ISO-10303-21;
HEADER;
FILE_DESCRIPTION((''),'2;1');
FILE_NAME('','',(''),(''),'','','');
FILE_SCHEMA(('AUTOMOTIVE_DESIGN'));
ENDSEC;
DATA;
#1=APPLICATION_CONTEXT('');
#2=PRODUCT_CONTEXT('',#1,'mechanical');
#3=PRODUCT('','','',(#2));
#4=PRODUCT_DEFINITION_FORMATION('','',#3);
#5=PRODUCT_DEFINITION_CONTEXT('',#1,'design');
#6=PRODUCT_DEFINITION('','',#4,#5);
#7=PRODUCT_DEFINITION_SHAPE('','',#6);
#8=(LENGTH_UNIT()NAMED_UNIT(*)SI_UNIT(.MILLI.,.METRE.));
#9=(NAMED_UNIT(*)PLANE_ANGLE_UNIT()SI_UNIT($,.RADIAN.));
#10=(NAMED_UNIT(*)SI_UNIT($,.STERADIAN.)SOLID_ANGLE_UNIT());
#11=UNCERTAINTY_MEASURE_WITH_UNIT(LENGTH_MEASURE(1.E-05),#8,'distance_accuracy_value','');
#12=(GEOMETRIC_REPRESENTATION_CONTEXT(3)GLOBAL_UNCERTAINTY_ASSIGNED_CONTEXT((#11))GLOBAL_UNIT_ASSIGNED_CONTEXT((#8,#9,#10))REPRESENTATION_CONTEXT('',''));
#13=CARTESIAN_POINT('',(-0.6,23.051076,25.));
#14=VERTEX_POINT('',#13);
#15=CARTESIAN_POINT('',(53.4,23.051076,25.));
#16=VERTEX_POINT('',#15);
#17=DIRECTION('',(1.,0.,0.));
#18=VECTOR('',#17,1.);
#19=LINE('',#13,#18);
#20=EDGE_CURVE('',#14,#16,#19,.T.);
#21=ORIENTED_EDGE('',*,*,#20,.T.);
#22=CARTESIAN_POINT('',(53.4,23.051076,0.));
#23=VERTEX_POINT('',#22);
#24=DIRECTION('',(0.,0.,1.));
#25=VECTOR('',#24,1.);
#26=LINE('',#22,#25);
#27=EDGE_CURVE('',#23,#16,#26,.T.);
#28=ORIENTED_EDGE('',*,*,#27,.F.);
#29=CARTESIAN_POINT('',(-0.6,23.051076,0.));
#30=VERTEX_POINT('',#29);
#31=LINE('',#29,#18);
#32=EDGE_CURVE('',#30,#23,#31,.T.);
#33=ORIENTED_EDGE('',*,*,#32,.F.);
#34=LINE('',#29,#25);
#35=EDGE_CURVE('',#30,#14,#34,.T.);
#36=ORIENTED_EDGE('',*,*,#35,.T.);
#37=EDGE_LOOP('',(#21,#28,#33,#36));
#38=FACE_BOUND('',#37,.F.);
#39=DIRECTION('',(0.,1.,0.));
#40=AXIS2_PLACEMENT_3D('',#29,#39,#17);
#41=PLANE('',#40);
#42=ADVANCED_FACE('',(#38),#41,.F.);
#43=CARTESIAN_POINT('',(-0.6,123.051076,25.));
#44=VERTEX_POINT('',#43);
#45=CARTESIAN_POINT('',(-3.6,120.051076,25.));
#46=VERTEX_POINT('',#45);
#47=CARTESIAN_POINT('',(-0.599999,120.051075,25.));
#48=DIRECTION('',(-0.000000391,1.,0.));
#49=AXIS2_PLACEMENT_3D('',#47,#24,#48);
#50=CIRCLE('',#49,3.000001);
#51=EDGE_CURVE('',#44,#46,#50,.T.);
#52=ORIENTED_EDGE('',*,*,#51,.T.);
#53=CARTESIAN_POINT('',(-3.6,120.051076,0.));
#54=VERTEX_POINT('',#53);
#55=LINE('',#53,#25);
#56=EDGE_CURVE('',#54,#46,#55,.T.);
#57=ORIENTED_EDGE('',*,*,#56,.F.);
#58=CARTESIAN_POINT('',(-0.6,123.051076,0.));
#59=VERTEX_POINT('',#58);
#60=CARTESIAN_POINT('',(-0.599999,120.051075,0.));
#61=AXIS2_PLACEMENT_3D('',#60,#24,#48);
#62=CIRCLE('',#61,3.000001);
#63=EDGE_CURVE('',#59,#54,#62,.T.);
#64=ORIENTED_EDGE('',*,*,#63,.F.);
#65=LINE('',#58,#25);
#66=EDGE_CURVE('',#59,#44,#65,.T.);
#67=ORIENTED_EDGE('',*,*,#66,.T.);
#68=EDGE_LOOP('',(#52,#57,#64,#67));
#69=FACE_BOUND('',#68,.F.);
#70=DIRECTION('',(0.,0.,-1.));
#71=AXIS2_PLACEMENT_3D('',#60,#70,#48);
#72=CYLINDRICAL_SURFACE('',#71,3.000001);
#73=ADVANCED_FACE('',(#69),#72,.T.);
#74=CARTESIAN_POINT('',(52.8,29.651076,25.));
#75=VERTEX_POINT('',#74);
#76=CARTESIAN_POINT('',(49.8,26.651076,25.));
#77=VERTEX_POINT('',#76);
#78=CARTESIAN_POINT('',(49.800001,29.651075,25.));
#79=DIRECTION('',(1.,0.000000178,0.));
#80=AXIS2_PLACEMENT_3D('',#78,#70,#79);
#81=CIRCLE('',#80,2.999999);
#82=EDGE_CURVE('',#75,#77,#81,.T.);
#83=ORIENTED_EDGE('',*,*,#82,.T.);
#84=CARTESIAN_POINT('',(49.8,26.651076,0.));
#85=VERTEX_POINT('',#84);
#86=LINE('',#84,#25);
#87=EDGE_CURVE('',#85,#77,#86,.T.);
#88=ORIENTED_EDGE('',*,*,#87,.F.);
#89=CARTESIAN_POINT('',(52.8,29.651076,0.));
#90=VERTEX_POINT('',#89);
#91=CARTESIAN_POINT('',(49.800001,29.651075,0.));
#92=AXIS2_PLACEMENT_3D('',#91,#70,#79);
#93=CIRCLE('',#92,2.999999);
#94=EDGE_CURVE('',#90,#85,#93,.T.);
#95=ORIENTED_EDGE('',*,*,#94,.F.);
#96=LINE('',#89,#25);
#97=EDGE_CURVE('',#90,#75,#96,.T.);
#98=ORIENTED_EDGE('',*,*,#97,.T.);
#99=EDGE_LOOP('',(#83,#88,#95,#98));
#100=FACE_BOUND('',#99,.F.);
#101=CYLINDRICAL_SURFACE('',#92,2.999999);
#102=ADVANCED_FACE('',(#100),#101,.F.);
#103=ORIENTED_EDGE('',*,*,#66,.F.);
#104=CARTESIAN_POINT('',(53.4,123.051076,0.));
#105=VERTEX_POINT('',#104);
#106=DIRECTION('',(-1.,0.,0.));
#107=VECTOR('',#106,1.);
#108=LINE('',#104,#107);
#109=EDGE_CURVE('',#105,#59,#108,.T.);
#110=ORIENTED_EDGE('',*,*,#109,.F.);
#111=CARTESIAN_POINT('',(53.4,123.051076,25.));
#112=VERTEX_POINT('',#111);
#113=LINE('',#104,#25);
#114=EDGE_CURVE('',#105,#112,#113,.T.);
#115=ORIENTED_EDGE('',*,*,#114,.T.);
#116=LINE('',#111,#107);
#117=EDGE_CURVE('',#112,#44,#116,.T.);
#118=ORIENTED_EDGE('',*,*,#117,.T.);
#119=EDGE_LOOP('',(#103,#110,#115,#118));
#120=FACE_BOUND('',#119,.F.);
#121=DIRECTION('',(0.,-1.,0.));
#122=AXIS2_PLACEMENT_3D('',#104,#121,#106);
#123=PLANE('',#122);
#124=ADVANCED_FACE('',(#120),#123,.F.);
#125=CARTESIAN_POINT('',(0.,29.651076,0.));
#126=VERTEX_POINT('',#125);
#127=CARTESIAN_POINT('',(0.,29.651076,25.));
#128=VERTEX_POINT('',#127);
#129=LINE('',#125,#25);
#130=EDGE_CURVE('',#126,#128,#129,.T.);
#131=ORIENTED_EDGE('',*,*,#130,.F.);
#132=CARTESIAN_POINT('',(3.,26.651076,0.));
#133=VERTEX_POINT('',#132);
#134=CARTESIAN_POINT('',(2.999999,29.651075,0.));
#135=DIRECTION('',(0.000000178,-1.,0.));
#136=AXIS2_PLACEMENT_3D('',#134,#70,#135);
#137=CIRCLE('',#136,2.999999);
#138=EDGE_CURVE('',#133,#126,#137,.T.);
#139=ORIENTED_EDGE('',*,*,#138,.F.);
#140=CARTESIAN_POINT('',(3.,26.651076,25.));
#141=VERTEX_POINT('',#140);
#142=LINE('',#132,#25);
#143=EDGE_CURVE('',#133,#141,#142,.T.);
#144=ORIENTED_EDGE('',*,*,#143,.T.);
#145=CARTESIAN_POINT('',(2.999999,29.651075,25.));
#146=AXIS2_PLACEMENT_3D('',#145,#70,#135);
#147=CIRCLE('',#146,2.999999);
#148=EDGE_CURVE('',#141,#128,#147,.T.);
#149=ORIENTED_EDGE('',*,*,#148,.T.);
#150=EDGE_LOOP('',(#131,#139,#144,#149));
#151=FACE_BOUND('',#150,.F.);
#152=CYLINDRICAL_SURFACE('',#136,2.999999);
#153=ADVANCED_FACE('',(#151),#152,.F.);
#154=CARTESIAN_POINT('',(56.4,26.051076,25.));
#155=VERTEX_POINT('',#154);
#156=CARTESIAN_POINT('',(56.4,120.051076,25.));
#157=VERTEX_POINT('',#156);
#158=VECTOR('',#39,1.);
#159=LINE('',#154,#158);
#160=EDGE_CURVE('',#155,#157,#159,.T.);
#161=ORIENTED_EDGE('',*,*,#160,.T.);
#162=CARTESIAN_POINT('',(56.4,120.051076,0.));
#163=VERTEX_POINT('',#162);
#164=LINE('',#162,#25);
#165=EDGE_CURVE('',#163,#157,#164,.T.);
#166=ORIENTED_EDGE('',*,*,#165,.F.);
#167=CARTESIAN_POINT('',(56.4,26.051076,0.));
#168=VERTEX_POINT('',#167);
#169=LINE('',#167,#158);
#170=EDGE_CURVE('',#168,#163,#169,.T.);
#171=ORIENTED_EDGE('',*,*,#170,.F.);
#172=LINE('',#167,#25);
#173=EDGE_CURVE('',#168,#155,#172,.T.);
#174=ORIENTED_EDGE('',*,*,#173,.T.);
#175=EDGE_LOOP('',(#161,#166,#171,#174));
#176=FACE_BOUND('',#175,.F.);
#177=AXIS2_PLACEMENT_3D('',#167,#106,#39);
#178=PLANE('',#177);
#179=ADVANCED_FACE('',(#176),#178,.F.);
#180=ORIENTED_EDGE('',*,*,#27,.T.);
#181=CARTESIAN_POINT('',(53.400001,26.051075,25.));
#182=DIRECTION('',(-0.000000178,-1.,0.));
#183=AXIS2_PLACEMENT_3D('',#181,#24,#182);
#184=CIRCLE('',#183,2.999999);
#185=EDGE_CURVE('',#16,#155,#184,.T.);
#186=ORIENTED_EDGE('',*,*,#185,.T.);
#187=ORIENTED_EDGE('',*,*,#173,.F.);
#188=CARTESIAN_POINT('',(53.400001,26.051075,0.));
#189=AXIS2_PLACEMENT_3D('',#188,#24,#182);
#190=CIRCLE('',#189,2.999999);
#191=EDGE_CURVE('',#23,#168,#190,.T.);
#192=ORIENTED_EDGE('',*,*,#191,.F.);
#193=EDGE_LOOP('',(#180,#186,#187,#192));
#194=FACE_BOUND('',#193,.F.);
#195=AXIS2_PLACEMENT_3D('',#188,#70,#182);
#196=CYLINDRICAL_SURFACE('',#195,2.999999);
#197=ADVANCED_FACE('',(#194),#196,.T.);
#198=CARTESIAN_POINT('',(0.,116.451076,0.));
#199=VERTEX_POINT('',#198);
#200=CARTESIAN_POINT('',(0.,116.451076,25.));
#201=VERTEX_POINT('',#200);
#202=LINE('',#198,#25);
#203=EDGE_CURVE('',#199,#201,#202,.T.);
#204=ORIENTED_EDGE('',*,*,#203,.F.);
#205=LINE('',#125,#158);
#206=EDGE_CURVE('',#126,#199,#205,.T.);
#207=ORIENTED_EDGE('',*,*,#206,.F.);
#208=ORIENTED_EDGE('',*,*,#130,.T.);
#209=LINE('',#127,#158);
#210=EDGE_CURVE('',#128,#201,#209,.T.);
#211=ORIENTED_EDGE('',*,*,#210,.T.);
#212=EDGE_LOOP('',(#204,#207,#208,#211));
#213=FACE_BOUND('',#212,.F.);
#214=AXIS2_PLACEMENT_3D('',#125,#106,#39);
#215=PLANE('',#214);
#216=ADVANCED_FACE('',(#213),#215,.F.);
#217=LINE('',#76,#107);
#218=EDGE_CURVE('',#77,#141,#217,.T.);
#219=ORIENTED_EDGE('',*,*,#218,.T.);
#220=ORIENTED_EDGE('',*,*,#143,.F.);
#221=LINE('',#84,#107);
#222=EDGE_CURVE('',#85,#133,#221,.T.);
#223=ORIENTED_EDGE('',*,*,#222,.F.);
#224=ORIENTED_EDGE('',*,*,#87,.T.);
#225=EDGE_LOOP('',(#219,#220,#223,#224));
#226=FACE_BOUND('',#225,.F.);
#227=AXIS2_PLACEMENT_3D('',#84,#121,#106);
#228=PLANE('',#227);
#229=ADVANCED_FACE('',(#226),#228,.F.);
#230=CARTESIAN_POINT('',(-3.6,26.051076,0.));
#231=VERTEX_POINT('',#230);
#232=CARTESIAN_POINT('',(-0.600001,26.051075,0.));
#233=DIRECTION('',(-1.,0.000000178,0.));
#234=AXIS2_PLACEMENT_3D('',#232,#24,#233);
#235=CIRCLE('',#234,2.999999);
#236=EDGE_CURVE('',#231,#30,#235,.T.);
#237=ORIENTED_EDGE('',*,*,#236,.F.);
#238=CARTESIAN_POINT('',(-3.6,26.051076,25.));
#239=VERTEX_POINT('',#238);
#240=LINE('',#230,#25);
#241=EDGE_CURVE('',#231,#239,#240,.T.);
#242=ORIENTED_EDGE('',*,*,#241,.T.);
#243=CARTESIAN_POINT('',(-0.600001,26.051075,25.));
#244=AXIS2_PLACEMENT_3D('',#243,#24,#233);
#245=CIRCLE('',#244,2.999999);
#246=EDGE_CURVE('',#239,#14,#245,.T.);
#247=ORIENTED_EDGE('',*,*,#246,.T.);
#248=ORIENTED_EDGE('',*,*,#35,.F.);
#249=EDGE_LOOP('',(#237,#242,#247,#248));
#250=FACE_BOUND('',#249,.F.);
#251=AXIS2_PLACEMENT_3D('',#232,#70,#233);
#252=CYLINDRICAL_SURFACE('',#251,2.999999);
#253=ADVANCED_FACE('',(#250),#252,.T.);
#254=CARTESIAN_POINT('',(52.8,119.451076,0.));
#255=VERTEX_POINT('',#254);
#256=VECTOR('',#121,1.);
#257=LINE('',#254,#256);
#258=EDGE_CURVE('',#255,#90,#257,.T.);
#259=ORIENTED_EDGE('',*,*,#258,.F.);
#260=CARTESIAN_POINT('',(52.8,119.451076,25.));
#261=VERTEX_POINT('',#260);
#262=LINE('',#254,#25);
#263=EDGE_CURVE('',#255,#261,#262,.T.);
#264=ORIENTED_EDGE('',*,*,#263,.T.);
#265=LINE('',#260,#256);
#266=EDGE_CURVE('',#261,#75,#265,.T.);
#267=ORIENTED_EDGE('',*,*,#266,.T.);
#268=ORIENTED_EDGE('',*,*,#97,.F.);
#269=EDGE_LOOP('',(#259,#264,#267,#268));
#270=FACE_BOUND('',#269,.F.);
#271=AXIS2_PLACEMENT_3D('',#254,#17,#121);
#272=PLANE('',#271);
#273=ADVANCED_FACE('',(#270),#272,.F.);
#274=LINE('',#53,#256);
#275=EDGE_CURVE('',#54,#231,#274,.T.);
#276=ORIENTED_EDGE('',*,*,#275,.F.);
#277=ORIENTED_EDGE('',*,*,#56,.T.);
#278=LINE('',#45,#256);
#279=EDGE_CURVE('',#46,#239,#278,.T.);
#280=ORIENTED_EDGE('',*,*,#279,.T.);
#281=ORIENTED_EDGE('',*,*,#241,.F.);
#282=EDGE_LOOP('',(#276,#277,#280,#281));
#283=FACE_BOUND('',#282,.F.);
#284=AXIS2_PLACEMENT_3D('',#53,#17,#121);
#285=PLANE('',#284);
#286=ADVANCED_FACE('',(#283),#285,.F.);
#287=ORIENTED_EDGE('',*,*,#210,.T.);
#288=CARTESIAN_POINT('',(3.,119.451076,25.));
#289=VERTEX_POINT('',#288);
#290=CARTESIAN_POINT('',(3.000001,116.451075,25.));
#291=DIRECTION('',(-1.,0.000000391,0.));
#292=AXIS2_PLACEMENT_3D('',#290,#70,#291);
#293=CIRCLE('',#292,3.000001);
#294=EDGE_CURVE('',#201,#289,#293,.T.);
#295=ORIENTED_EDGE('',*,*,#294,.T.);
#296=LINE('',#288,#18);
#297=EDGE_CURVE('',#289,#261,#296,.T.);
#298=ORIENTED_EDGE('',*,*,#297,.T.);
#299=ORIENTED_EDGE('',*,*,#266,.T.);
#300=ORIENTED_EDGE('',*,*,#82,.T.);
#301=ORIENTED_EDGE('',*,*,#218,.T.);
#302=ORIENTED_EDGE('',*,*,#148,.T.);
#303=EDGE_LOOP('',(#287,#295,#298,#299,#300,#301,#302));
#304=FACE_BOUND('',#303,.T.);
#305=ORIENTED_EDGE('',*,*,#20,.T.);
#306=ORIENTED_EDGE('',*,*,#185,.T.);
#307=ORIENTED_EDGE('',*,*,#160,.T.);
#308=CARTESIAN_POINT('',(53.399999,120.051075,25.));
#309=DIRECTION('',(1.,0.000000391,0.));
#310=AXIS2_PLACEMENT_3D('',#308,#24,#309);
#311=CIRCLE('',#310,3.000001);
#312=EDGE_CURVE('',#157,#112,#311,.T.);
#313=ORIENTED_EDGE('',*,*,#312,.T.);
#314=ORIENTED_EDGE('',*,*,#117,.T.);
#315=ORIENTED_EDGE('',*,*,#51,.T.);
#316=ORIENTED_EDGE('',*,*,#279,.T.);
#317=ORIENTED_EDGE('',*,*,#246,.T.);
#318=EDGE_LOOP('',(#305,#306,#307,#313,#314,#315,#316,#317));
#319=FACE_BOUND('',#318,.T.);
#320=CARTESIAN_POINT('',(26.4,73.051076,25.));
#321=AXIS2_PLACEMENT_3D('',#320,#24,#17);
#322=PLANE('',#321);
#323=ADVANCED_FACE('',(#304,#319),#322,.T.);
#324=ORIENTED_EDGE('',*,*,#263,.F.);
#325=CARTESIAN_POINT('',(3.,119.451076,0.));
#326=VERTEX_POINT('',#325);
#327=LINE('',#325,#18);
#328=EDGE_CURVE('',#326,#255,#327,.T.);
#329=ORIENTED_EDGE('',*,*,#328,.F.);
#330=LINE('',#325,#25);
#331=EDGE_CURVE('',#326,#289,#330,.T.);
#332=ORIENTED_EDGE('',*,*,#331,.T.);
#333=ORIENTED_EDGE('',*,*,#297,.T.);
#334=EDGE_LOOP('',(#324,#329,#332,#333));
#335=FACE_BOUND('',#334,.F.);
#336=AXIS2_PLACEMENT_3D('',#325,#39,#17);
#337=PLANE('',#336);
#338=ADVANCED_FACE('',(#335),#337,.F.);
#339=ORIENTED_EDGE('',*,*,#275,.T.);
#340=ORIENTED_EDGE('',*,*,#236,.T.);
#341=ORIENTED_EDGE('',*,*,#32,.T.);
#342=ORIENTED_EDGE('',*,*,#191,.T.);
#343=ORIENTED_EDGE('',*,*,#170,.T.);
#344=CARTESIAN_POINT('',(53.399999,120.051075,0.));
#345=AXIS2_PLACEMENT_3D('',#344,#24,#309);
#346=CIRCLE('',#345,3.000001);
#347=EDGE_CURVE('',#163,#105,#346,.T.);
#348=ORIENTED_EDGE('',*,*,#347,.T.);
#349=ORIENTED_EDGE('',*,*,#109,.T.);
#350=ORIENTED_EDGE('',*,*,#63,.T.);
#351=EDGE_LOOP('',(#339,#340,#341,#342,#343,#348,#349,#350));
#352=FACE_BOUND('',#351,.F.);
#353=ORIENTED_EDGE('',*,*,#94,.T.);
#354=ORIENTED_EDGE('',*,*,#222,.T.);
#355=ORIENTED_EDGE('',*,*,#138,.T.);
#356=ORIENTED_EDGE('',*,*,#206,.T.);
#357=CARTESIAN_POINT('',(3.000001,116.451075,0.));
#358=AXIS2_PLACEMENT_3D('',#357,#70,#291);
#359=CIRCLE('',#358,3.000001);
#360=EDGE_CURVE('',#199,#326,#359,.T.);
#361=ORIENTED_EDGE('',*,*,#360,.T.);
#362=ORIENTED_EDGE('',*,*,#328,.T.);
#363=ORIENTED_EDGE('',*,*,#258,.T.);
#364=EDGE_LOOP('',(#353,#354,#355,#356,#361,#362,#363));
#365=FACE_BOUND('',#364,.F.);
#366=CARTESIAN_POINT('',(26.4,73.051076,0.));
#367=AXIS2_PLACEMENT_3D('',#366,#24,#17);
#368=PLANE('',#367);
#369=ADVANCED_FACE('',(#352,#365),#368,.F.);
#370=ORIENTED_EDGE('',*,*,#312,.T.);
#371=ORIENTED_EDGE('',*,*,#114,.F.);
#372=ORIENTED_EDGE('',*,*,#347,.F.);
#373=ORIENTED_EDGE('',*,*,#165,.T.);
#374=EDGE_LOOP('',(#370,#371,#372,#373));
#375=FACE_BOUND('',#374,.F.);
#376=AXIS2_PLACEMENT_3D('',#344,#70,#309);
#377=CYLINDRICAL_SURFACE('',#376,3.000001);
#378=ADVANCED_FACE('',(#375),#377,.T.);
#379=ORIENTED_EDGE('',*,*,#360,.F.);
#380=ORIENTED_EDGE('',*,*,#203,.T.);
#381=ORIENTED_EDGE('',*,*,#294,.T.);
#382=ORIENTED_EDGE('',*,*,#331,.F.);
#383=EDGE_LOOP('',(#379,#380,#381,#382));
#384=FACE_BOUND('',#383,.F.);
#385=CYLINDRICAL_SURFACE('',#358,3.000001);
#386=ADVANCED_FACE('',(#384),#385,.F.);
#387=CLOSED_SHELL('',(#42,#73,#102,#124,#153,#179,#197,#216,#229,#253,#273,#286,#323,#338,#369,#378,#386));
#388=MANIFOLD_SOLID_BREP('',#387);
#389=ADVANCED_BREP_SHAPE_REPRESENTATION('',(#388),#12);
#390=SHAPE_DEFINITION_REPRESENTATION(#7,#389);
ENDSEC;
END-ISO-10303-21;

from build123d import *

# Parameters (mm, degrees)
F1_DEPTH = 25


with BuildPart() as f1:
    # F0 (on Top) → F1 (new body)
    with BuildSketch(Plane.XY):
        with BuildLine():
            Line((56.4, 26.051076), (56.4, 120.051076))
            ThreePointArc((56.4, 120.051076), (55.52132, 122.172396), (53.4, 123.051076))
            Line((53.4, 123.051076), (-0.6, 123.051076))
            ThreePointArc((-0.6, 123.051076), (-2.72132, 122.172396), (-3.6, 120.051076))
            Line((-3.6, 120.051076), (-3.6, 73.051076))
            Line((-3.6, 73.051076), (-3.6, 26.051076))
            ThreePointArc((-3.6, 26.051076), (-2.72132, 23.929755), (-0.6, 23.051076))
            Line((-0.6, 23.051076), (53.4, 23.051076))
            ThreePointArc((53.4, 23.051076), (55.52132, 23.929755), (56.4, 26.051076))
        make_face()
        with BuildLine():
            Line((0, 29.651076), (0, 73.051076))
            Line((0, 73.051076), (0, 116.451076))
            ThreePointArc((0, 116.451076), (0.87868, 118.572396), (3, 119.451076))
            Line((3, 119.451076), (52.8, 119.451076))
            Line((52.8, 119.451076), (52.8, 73.051076))
            Line((52.8, 73.051076), (52.8, 29.651076))
            ThreePointArc((52.8, 29.651076), (51.92132, 27.529755), (49.8, 26.651076))
            Line((49.8, 26.651076), (3, 26.651076))
            ThreePointArc((3, 26.651076), (0.87868, 27.529755), (0, 29.651076))
        make_face(mode=Mode.SUBTRACT)
    extrude(amount=F1_DEPTH)


solid = f1.part
